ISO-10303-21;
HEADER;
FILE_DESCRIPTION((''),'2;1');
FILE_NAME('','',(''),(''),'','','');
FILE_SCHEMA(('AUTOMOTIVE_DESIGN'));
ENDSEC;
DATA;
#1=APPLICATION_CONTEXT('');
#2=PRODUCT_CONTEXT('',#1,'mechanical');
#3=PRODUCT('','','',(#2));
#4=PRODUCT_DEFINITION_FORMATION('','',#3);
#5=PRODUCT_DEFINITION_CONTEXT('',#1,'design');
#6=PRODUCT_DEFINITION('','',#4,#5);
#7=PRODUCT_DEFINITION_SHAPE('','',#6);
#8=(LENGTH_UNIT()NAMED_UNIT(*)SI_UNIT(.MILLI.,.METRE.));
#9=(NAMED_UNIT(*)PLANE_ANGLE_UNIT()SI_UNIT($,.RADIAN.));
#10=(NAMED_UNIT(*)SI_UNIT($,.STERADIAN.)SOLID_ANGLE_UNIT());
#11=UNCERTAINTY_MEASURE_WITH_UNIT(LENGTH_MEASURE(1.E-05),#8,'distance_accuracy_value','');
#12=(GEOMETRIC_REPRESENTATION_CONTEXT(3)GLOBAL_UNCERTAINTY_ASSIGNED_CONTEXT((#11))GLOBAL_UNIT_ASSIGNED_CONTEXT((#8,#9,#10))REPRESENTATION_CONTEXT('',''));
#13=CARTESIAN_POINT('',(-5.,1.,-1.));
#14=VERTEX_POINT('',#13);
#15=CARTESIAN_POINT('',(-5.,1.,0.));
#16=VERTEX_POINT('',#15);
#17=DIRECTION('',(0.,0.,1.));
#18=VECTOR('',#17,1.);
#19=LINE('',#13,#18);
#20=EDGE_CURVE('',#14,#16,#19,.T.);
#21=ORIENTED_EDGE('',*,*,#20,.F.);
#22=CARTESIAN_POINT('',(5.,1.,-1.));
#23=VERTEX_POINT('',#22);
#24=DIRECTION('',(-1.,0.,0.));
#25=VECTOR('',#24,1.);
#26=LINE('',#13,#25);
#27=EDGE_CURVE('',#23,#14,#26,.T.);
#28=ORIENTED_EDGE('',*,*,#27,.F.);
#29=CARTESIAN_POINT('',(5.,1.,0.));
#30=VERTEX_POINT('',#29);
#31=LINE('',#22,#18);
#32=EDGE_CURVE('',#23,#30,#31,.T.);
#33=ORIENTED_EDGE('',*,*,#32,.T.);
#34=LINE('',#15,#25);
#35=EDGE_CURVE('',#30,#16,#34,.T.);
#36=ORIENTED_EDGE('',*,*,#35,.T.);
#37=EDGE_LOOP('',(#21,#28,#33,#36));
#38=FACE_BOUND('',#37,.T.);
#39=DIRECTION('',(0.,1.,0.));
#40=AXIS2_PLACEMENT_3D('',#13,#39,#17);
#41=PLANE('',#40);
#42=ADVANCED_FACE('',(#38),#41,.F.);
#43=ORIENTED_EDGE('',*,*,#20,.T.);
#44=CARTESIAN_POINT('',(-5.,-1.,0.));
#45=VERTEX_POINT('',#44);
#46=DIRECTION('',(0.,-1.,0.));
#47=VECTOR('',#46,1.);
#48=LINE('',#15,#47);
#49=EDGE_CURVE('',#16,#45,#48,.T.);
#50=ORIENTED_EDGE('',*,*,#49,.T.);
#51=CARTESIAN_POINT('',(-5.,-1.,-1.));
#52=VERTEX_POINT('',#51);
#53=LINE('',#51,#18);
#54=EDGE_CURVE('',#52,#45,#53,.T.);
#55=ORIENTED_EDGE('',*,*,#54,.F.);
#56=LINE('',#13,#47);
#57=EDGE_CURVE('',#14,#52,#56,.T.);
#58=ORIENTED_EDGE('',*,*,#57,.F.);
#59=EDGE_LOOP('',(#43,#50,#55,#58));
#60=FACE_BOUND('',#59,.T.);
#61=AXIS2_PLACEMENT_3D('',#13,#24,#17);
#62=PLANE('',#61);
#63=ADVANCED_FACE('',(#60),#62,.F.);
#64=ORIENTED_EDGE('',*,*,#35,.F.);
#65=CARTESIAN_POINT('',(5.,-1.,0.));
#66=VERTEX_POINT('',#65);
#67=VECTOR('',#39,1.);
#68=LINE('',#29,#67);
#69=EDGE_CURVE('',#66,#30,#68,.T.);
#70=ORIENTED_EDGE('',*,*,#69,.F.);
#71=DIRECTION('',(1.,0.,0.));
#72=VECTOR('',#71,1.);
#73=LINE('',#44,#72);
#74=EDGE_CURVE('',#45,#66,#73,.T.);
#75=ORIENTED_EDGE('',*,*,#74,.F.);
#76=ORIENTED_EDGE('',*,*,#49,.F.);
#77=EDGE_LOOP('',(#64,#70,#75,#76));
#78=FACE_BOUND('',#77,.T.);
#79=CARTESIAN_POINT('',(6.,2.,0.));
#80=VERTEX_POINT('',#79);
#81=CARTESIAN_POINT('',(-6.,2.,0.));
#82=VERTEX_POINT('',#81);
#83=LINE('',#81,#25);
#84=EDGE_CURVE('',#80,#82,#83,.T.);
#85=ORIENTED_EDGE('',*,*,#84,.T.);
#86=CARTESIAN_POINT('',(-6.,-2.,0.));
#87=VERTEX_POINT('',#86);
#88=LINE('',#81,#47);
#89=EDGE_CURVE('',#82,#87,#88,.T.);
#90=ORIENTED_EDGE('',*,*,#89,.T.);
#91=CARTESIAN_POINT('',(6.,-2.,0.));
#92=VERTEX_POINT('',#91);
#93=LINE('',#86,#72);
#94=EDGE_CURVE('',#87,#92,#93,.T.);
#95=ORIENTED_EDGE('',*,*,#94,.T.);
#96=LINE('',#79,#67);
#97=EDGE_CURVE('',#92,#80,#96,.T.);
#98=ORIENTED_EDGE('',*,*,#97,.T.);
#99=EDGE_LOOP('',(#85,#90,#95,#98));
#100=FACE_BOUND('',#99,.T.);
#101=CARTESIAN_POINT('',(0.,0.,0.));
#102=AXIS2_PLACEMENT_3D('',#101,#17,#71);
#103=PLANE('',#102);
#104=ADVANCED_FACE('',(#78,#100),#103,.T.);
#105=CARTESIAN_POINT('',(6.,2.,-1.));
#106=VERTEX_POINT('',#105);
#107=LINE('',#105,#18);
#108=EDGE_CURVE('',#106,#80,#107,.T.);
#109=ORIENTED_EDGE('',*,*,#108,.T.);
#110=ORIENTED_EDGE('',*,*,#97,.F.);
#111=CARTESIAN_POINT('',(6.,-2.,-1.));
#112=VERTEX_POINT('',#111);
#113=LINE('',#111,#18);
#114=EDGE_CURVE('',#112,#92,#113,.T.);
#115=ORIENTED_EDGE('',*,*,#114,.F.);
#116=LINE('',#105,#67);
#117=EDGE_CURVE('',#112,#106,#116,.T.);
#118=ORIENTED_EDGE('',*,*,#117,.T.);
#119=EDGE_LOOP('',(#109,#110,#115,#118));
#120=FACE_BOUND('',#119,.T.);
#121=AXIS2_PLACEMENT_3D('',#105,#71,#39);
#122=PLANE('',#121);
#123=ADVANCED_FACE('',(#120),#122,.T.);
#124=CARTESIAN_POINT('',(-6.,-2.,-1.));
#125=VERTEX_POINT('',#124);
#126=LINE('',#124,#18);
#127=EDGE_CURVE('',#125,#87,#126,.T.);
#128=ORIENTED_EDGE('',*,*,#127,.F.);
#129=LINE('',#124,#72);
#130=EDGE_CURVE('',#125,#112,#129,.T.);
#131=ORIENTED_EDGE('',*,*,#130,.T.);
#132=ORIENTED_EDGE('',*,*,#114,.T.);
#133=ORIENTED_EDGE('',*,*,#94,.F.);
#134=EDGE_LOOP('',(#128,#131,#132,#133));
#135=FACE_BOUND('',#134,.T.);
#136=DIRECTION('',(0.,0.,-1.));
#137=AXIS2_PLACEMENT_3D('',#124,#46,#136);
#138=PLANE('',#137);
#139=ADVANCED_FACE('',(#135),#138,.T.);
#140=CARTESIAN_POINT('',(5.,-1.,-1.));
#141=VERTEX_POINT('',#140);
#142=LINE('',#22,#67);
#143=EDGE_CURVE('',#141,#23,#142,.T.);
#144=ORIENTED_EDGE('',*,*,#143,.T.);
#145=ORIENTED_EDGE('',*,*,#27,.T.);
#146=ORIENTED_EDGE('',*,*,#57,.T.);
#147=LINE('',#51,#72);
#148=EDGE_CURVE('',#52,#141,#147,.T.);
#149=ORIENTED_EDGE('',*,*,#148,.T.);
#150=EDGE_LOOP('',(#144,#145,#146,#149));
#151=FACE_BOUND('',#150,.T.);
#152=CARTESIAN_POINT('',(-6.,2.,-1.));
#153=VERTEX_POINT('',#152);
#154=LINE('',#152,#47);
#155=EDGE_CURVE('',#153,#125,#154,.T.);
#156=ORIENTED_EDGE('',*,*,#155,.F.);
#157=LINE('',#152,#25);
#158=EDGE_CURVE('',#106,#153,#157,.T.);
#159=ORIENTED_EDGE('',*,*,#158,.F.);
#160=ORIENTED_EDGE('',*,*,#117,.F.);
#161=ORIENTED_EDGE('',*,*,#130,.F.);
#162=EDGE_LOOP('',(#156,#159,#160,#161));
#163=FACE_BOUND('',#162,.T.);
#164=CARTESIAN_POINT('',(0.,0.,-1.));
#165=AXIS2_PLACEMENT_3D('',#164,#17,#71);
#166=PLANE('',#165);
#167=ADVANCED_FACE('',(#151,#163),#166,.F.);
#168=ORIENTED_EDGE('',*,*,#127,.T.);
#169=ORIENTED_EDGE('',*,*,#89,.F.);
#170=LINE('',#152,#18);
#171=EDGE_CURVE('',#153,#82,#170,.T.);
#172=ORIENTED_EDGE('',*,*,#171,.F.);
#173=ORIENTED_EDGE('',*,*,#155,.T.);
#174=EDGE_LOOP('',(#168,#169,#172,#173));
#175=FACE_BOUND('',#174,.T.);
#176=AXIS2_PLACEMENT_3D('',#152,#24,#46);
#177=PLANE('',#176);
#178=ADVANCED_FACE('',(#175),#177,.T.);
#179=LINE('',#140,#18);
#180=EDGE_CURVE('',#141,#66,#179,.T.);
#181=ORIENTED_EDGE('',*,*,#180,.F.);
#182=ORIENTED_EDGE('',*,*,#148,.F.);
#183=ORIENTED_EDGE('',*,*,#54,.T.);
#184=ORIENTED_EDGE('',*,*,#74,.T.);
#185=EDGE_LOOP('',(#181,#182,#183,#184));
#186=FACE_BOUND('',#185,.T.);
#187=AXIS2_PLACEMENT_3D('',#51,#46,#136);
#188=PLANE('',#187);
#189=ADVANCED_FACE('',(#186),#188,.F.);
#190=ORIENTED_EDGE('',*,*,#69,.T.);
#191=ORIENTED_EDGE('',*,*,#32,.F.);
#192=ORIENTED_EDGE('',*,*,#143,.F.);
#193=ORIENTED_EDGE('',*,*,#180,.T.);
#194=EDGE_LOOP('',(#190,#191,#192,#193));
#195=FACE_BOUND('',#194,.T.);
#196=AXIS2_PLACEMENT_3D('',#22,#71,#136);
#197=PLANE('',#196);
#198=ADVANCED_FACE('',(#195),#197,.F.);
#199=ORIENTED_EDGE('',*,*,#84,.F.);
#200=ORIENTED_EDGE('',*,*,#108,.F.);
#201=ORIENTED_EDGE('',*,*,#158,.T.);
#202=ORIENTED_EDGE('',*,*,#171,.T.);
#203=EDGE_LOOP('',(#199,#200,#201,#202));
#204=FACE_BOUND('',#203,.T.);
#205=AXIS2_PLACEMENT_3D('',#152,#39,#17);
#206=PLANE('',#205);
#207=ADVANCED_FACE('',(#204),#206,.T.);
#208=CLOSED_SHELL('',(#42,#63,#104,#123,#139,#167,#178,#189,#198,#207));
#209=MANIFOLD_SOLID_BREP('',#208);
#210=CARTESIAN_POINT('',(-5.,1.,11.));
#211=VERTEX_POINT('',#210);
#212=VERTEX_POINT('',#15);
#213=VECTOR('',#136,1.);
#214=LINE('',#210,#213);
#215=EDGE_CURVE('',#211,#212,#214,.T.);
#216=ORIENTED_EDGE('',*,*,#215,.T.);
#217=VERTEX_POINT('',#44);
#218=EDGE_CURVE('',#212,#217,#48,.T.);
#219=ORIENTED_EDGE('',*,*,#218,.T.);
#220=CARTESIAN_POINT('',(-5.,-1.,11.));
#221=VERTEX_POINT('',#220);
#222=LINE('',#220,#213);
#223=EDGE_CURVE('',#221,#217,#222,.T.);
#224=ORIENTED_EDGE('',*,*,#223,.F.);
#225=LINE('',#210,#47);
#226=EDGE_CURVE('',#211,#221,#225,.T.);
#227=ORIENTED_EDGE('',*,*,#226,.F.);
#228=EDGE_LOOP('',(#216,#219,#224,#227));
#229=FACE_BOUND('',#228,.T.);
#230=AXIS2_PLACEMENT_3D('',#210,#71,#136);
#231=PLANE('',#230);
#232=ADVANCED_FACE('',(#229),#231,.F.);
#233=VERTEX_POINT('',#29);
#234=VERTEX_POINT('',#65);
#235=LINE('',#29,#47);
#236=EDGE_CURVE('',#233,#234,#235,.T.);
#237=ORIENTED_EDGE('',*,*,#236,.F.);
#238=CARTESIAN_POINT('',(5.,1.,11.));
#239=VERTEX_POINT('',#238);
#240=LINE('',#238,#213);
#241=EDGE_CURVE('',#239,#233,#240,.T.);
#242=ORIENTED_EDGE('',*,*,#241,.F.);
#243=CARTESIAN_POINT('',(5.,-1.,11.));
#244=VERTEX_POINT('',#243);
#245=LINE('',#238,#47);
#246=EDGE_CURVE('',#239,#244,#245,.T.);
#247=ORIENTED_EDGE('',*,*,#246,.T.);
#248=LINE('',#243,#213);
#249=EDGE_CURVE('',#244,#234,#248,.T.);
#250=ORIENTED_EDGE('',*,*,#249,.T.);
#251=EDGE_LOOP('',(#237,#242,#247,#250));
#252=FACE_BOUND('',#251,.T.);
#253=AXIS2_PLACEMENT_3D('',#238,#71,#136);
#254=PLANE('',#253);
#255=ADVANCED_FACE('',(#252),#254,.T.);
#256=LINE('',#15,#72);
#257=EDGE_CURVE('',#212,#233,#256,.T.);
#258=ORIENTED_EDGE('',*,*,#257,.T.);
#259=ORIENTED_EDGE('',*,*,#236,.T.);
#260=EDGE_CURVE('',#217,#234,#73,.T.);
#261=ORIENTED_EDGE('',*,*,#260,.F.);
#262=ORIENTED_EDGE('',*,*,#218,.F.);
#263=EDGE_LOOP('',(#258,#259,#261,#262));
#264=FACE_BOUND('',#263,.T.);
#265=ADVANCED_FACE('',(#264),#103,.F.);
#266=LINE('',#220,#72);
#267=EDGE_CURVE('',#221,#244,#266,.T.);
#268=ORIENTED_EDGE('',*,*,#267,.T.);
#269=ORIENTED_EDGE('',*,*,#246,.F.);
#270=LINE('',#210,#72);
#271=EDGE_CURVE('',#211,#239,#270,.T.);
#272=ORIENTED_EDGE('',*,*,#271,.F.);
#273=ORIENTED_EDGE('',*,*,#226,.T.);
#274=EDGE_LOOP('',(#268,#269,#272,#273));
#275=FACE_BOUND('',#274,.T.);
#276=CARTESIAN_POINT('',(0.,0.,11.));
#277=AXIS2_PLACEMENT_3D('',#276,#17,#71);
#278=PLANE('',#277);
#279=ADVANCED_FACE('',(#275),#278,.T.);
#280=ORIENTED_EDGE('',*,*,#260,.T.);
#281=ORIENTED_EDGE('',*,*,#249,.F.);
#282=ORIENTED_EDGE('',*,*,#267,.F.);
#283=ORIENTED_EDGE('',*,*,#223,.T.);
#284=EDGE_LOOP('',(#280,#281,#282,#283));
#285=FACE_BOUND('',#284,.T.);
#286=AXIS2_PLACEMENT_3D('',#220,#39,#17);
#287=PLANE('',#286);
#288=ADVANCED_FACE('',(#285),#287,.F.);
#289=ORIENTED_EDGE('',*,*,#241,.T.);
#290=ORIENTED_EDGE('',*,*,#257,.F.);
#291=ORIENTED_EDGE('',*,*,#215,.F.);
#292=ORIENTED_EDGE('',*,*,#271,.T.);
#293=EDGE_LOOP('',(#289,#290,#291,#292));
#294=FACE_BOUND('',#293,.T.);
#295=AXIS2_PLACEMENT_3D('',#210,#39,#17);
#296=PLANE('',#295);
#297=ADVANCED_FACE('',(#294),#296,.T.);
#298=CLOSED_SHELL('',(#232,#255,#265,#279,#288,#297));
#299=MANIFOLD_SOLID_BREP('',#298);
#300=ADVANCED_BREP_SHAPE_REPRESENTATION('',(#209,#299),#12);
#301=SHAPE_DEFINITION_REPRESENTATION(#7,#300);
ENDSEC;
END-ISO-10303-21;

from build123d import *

# Parameters (mm, degrees)
SCHIZZO1_W                   = 10
SCHIZZO1_H                   = 2
ESTRUSIONE_ESTRUSIONE1_DEPTH = 11
SCHIZZO1_4_W                 = 12
SCHIZZO1_4_H                 = 4
SCHIZZO1_4_W_2               = 10
SCHIZZO1_4_H_2               = 2
ESTRUSIONE_ESTRUSIONE2_DEPTH = 1


with BuildPart() as part:
    # Schizzo1 → Estrusione-Estrusione1 (new body)
    with BuildSketch(Plane.XY):
        Rectangle(SCHIZZO1_W, SCHIZZO1_H)
    extrude(amount=ESTRUSIONE_ESTRUSIONE1_DEPTH)


with BuildPart() as body_2:
    # Schizzo1<4> → Estrusione-Estrusione2 (new body)
    with BuildSketch(Plane.XY):
        Rectangle(SCHIZZO1_4_W, SCHIZZO1_4_H)
        Rectangle(SCHIZZO1_4_W_2, SCHIZZO1_4_H_2, mode=Mode.SUBTRACT)
    extrude(amount=-ESTRUSIONE_ESTRUSIONE2_DEPTH)


solid = Compound([part.part, body_2.part])
